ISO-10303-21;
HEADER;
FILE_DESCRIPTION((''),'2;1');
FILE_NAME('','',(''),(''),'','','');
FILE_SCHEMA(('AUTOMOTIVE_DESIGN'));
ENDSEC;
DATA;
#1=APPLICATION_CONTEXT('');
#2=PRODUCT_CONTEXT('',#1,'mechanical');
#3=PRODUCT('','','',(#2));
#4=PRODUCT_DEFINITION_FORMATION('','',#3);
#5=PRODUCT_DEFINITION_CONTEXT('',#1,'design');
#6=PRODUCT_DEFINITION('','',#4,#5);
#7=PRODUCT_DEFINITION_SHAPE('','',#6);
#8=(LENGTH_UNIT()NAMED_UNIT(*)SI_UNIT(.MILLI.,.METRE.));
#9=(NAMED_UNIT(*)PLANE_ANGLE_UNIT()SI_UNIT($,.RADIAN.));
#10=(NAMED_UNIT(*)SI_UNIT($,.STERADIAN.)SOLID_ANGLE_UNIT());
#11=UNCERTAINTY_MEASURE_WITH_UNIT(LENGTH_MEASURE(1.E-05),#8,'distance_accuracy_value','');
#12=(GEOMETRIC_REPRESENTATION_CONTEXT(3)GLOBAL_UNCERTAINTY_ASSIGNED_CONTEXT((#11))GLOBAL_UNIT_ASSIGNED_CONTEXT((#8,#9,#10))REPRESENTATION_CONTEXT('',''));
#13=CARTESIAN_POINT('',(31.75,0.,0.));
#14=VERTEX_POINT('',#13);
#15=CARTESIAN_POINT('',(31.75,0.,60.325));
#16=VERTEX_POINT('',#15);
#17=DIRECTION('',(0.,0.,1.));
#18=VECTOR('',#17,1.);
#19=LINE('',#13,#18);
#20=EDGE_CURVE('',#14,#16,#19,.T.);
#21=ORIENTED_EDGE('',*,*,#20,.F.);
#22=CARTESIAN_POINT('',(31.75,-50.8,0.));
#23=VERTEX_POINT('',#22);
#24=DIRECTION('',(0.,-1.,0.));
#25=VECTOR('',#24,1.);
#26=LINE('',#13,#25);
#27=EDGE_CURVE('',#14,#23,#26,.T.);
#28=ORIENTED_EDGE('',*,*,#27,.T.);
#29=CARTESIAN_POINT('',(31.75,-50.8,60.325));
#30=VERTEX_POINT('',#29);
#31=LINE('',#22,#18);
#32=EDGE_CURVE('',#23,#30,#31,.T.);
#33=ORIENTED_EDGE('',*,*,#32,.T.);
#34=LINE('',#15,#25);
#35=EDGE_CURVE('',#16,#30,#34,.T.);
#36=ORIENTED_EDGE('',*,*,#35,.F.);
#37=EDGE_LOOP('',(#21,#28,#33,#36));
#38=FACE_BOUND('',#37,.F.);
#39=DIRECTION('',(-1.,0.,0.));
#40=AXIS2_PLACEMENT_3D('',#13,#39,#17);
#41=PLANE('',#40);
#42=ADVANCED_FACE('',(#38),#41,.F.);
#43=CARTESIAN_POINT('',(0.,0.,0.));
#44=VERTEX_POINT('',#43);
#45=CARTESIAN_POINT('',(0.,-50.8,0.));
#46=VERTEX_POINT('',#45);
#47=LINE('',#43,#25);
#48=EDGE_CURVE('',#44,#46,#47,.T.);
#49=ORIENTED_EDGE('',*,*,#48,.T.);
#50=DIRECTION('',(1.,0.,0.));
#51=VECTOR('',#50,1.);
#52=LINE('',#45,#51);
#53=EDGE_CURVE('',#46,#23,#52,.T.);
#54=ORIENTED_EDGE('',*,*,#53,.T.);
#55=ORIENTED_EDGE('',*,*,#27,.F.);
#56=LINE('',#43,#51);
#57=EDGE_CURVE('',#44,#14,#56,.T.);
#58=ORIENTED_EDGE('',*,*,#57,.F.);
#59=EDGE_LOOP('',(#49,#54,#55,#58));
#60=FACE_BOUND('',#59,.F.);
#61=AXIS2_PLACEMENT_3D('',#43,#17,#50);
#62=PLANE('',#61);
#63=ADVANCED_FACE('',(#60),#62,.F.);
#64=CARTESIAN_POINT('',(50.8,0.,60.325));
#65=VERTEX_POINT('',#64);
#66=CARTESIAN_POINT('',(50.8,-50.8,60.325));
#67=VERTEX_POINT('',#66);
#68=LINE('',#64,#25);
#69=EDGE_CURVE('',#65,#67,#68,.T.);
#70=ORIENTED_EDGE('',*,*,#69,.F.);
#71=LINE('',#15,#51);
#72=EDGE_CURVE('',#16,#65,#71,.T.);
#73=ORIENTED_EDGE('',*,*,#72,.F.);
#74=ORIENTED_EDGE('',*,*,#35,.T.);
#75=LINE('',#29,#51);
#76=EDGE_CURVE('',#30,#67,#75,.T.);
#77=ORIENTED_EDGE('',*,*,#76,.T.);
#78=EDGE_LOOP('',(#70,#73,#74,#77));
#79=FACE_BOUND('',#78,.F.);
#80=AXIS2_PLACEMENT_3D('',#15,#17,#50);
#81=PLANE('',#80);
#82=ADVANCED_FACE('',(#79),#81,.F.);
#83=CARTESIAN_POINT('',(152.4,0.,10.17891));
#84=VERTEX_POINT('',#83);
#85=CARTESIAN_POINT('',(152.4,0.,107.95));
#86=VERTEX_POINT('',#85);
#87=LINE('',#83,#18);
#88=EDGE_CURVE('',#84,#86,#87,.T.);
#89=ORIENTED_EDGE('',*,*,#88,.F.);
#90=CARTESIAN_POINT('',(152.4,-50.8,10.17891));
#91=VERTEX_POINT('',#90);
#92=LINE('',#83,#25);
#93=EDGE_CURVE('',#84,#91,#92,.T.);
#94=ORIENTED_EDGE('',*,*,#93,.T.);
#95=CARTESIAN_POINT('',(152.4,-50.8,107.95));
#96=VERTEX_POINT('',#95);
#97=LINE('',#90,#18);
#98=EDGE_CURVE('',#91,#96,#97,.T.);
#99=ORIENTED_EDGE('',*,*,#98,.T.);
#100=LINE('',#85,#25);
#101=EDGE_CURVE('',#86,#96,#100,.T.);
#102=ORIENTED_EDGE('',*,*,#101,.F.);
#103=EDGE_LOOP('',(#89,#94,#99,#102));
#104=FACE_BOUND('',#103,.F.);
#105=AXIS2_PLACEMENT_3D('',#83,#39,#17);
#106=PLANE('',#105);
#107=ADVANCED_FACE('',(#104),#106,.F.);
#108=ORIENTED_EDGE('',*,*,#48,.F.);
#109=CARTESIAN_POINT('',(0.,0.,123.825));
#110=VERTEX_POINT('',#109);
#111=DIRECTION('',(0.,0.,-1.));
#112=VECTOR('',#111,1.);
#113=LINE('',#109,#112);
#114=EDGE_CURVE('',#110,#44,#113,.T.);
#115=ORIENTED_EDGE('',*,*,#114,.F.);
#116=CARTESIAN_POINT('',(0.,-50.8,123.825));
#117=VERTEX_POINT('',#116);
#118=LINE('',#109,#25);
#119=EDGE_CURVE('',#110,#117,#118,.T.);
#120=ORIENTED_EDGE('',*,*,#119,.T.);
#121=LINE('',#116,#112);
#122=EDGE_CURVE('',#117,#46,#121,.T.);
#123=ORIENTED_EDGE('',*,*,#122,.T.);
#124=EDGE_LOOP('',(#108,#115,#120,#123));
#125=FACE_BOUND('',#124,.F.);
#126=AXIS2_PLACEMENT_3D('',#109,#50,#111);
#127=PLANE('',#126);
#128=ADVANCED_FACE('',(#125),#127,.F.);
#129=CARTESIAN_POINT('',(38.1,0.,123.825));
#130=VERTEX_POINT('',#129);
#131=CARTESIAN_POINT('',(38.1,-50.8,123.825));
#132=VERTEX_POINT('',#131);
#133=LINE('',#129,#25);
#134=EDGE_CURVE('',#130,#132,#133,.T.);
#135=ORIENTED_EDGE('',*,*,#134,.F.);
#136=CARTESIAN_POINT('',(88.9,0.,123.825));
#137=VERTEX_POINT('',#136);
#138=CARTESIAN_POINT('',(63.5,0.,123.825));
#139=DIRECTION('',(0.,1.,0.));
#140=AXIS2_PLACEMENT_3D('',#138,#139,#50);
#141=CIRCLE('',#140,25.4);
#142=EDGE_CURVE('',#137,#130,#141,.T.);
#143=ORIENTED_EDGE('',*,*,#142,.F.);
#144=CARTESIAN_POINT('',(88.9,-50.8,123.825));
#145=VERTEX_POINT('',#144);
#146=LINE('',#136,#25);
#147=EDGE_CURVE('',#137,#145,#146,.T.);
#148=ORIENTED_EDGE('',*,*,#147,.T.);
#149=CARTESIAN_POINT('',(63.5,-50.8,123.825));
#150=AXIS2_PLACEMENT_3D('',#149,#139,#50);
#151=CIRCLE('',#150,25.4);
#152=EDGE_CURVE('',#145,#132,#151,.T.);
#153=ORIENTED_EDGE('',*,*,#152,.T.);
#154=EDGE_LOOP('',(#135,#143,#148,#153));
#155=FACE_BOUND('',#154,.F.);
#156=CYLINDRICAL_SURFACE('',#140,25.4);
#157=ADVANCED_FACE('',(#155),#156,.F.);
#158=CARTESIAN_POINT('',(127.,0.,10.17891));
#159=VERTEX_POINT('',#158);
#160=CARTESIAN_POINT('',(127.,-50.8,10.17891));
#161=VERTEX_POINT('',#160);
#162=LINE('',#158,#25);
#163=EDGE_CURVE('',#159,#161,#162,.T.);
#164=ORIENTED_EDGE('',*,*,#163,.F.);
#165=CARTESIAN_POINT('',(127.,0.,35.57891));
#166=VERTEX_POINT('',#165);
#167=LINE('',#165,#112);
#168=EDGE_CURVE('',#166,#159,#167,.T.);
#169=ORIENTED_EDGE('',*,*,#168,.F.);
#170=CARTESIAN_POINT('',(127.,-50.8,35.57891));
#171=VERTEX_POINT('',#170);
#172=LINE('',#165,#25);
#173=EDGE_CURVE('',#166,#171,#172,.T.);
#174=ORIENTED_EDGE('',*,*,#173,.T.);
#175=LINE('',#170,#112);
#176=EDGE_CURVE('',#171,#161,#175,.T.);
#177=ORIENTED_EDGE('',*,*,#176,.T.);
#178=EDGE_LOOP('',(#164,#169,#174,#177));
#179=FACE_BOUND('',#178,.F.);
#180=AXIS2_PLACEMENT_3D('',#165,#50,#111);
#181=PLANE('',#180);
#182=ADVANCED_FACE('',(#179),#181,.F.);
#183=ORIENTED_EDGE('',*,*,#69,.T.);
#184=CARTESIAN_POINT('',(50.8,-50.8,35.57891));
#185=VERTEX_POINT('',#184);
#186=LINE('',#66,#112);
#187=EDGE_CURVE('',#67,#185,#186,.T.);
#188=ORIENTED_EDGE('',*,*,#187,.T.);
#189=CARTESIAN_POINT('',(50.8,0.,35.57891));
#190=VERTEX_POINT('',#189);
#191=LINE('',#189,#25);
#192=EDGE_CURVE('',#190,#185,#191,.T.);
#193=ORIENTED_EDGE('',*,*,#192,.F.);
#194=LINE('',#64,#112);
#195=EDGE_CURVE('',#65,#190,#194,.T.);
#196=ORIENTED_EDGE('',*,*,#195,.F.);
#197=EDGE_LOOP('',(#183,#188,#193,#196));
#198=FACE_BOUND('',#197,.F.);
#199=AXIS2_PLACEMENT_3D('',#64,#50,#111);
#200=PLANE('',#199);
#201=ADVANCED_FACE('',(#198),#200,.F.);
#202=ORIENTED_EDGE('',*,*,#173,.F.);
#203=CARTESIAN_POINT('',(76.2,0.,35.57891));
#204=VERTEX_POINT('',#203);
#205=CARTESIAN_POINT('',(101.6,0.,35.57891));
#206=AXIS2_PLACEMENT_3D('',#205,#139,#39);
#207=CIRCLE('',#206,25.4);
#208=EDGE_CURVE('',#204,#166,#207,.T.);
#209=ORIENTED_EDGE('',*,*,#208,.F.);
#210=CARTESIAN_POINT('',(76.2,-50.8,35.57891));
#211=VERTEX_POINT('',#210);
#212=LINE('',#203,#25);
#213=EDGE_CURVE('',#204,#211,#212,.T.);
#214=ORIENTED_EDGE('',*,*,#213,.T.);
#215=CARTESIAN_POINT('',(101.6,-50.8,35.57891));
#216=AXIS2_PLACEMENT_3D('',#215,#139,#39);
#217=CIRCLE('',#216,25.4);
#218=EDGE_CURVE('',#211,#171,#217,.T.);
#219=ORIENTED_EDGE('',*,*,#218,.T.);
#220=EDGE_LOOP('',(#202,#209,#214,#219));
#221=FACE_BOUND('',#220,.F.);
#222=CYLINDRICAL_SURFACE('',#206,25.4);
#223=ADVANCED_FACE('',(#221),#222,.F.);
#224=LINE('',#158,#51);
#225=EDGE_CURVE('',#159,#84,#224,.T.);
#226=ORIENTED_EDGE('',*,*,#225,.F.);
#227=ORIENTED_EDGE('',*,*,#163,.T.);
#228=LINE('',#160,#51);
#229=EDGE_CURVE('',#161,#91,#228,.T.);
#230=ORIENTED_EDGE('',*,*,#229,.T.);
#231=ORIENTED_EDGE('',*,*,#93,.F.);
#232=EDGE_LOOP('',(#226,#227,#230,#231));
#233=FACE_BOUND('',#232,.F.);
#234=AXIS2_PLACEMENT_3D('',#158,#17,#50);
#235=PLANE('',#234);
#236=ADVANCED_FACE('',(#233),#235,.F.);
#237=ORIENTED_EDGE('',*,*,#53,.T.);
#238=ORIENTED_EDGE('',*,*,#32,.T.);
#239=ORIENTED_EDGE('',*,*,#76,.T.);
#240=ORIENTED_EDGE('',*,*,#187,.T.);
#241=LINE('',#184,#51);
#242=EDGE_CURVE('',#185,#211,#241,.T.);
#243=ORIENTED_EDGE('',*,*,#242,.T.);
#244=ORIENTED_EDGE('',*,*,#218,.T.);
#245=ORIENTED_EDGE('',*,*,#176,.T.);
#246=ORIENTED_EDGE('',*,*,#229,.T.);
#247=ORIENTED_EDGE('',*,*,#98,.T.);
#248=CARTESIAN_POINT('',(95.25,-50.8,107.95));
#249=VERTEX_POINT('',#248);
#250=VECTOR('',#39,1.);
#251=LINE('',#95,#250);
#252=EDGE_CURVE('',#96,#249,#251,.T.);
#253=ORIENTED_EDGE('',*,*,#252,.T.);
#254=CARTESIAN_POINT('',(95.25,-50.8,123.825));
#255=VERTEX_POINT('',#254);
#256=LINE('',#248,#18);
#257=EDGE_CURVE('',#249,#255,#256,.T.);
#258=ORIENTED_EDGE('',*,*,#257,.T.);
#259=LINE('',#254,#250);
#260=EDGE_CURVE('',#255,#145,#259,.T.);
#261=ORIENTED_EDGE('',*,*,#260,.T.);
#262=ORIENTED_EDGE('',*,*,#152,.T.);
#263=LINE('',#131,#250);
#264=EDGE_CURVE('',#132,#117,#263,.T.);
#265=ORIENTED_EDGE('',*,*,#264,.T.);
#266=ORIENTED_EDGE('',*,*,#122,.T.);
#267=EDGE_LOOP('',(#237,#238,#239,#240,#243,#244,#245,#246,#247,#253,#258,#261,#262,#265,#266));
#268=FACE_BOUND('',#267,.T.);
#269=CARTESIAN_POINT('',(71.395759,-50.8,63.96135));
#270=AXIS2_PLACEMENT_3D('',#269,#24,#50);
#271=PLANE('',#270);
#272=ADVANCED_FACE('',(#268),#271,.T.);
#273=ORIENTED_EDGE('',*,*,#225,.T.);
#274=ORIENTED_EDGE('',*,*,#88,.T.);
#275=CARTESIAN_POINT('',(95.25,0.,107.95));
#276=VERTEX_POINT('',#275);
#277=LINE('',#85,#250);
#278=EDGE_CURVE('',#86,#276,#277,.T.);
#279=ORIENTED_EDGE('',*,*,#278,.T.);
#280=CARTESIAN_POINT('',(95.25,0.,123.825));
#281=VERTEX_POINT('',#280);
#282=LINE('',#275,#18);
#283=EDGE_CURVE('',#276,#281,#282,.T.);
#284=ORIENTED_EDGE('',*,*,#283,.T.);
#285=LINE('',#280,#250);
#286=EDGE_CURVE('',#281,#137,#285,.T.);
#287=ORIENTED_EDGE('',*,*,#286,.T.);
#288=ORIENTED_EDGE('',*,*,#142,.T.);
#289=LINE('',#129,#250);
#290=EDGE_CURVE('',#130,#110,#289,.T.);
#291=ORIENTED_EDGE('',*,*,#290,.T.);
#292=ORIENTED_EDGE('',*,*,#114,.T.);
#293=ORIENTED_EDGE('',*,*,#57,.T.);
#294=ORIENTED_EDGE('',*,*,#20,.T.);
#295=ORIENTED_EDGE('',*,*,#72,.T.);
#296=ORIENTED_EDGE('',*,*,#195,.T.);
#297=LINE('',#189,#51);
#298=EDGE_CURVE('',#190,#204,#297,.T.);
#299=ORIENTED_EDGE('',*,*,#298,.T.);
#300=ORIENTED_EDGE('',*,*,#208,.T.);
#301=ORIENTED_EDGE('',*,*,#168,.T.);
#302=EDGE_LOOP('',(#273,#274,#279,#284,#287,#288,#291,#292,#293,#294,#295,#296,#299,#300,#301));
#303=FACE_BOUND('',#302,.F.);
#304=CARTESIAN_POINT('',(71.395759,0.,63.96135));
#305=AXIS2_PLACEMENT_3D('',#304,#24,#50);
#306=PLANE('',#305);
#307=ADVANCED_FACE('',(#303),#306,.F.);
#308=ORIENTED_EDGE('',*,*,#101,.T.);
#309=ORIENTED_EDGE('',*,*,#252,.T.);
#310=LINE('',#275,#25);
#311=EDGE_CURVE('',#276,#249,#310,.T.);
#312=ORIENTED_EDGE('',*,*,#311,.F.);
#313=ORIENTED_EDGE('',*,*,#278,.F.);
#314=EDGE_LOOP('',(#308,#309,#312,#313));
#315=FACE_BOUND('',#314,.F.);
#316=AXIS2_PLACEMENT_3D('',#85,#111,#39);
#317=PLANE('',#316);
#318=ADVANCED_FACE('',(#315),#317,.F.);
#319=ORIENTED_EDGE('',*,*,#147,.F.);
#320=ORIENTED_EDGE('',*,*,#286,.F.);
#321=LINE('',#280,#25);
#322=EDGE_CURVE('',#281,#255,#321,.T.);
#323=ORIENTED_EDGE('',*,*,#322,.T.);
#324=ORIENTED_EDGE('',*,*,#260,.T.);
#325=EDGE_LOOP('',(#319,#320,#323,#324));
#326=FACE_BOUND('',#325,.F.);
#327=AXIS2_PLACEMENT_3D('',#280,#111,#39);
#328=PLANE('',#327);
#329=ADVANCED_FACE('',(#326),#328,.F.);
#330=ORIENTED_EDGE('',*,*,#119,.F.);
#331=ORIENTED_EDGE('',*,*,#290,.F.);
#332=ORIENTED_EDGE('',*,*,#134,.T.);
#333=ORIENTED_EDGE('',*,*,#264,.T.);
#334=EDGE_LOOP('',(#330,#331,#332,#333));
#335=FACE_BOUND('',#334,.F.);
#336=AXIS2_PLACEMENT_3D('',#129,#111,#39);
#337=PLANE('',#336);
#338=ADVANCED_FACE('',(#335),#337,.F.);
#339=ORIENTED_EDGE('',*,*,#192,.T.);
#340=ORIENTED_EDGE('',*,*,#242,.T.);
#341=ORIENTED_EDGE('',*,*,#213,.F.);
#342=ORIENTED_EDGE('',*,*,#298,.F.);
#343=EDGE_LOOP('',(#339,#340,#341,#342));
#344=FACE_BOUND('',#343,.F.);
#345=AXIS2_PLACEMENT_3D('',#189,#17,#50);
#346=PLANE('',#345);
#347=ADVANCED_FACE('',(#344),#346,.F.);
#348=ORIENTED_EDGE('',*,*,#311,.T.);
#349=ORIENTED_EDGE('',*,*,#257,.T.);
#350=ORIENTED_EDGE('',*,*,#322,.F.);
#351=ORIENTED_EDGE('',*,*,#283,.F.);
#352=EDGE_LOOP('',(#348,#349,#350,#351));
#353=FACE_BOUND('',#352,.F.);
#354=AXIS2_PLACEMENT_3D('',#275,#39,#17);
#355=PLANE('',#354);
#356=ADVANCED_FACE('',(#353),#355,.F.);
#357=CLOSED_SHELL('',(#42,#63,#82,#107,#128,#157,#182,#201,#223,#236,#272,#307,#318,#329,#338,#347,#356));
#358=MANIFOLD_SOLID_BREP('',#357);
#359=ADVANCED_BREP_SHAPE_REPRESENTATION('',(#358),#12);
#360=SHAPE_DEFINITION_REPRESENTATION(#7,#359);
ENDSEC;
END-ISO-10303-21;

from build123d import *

# Parameters (mm, degrees)
F1_DEPTH = 50.8


with BuildPart() as f1:
    # F0 (on Front) → F1 (new body)
    with BuildSketch(Plane.XZ):
        with BuildLine():
            Line((0, 123.825), (0, 0))
            Line((0, 0), (31.75, 0))
            Line((31.75, 0), (31.75, 60.325))
            Line((31.75, 60.325), (50.8, 60.325))
            Line((50.8, 60.325), (50.8, 35.57891))
            Line((50.8, 35.57891), (76.2, 35.57891))
            ThreePointArc((76.2, 35.57891), (101.6, 60.97891), (127, 35.57891))
            Line((127, 35.57891), (127, 10.17891))
            Line((127, 10.17891), (152.4, 10.17891))
            Line((152.4, 10.17891), (152.4, 107.95))
            Line((152.4, 107.95), (95.25, 107.95))
            Line((95.25, 107.95), (95.25, 123.825))
            Line((95.25, 123.825), (88.9, 123.825))
            ThreePointArc((88.9, 123.825), (63.5, 98.425), (38.1, 123.825))
            Line((38.1, 123.825), (0, 123.825))
        make_face()
    extrude(amount=F1_DEPTH)


solid = f1.part
